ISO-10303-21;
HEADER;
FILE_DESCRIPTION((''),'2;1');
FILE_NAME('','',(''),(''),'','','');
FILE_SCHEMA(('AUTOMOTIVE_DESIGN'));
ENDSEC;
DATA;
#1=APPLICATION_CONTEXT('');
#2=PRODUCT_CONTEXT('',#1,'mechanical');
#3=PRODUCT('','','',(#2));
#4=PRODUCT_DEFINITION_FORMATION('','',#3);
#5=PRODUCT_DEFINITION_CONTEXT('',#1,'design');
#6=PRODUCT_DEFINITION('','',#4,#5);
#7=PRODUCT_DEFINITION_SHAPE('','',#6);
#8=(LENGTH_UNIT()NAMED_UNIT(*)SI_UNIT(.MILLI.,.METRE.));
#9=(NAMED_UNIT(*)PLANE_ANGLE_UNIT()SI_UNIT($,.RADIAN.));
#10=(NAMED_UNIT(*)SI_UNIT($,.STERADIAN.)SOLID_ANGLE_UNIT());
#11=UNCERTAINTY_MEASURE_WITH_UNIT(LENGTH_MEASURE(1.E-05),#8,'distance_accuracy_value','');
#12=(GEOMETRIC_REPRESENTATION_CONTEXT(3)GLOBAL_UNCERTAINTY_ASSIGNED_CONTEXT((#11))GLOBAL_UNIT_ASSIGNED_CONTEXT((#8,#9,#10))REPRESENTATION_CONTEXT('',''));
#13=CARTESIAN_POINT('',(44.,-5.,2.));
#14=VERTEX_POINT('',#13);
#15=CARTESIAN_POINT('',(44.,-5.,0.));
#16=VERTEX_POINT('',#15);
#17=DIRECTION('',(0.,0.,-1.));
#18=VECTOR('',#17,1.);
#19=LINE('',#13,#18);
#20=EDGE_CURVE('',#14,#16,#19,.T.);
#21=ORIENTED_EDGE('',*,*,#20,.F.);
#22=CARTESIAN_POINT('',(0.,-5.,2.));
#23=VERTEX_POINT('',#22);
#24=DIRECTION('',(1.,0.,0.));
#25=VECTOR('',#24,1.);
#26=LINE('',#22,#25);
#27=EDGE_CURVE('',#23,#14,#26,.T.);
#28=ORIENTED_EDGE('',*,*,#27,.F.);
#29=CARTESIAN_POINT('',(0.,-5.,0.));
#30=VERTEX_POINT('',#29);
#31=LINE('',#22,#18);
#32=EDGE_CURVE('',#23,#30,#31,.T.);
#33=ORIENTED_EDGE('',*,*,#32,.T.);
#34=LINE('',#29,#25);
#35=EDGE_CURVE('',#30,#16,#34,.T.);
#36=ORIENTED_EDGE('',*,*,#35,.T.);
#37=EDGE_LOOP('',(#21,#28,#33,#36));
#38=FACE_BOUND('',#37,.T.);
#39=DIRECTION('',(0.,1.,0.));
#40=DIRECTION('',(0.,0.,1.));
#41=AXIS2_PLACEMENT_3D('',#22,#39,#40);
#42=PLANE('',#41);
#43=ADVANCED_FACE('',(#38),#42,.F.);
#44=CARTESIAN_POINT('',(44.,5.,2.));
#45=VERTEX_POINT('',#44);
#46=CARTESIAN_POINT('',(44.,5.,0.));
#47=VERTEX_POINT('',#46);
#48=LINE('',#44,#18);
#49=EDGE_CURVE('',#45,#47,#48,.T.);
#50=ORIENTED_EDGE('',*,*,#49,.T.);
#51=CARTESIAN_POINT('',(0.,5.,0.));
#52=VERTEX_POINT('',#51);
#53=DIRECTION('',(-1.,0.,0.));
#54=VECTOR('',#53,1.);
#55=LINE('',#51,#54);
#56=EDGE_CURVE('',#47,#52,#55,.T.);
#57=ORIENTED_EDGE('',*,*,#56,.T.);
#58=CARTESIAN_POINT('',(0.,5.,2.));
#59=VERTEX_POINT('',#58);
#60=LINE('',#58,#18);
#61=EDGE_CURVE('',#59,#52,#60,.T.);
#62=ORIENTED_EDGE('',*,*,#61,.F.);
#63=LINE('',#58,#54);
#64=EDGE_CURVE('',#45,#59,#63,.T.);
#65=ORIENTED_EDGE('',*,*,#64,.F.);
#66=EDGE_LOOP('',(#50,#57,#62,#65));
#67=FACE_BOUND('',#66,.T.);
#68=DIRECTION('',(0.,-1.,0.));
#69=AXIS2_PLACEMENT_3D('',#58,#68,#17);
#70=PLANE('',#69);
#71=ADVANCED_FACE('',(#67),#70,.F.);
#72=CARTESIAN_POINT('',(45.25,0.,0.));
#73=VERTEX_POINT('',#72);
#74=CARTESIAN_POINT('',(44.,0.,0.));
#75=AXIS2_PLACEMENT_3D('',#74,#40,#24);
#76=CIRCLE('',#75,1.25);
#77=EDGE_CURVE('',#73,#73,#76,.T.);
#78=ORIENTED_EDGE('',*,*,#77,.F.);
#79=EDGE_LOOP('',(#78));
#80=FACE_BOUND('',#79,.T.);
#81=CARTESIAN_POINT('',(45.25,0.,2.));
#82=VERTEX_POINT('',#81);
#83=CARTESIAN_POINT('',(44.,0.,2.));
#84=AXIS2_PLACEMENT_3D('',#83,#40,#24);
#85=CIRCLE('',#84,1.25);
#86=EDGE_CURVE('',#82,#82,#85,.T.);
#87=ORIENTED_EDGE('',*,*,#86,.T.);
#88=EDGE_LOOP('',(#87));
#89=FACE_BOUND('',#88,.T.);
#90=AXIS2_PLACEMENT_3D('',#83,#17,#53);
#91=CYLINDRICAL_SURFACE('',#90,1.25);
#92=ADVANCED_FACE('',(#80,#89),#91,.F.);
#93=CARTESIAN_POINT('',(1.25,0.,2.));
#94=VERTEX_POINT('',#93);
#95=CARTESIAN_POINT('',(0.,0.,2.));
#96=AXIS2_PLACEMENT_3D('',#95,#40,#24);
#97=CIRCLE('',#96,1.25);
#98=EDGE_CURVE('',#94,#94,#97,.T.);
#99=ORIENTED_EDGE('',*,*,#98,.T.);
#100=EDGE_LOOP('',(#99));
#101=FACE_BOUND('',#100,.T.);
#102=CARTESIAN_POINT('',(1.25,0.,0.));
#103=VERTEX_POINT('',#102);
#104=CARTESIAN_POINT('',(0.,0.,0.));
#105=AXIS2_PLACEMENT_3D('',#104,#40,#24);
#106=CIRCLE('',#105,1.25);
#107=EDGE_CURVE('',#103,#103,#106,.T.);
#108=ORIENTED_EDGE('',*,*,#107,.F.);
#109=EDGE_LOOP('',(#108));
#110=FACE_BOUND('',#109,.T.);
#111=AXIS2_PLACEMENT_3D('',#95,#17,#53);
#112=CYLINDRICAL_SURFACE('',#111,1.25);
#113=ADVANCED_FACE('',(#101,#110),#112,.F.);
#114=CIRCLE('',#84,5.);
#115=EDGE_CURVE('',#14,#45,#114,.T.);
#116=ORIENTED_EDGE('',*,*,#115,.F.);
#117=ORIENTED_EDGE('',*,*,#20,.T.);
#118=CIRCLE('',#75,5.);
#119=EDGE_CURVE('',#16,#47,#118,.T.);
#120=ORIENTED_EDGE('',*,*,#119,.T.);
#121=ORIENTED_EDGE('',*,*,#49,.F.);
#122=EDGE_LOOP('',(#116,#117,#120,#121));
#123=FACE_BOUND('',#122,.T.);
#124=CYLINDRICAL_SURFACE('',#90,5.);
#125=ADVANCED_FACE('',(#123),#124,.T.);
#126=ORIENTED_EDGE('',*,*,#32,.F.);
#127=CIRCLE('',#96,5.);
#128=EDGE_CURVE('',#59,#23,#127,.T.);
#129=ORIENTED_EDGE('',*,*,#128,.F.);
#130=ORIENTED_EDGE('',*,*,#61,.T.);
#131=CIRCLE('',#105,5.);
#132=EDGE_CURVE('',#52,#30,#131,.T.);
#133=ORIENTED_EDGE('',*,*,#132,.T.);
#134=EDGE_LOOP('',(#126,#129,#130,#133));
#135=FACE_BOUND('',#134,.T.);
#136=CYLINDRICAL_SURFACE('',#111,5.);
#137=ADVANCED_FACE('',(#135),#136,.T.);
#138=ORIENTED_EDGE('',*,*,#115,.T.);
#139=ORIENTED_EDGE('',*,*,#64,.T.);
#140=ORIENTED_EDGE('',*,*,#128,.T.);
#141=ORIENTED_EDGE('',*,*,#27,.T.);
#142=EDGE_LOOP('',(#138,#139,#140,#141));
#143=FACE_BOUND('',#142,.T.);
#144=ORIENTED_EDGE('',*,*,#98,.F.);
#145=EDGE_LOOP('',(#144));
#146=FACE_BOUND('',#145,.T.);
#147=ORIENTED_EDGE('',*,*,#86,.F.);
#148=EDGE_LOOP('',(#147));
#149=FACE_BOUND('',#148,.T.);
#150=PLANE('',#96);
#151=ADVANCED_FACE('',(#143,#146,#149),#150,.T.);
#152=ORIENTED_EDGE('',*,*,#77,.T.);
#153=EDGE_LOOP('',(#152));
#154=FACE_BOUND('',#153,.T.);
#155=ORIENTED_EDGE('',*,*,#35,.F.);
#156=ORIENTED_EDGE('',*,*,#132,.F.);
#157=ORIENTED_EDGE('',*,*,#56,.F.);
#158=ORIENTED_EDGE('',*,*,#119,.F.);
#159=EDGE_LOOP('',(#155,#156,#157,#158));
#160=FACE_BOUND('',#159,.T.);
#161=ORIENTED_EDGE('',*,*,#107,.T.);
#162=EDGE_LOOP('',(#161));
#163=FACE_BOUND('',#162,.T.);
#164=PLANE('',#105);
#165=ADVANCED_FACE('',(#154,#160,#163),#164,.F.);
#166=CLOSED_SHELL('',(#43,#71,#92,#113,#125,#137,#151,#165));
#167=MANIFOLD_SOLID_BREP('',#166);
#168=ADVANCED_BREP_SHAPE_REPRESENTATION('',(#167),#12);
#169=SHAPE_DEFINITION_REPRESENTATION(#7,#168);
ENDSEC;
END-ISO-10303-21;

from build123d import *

# Parameters (mm, degrees)
SKETCH2_R           = 1.25
BOSS_EXTRUDE1_DEPTH = 2


with BuildPart() as part:
    # Sketch2 → Boss-Extrude1 (new body)
    with BuildSketch(Plane.XY):
        with BuildLine():
            Line((0, 5), (44, 5))
            ThreePointArc((44, 5), (49, 0), (44, -5))
            Line((44, -5), (0, -5))
            ThreePointArc((0, -5), (-5, 0), (0, 5))
        make_face()
        Circle(SKETCH2_R, mode=Mode.SUBTRACT)
        with Locations((44, 0)):
            Circle(SKETCH2_R, mode=Mode.SUBTRACT)
    extrude(amount=BOSS_EXTRUDE1_DEPTH)


solid = part.part
